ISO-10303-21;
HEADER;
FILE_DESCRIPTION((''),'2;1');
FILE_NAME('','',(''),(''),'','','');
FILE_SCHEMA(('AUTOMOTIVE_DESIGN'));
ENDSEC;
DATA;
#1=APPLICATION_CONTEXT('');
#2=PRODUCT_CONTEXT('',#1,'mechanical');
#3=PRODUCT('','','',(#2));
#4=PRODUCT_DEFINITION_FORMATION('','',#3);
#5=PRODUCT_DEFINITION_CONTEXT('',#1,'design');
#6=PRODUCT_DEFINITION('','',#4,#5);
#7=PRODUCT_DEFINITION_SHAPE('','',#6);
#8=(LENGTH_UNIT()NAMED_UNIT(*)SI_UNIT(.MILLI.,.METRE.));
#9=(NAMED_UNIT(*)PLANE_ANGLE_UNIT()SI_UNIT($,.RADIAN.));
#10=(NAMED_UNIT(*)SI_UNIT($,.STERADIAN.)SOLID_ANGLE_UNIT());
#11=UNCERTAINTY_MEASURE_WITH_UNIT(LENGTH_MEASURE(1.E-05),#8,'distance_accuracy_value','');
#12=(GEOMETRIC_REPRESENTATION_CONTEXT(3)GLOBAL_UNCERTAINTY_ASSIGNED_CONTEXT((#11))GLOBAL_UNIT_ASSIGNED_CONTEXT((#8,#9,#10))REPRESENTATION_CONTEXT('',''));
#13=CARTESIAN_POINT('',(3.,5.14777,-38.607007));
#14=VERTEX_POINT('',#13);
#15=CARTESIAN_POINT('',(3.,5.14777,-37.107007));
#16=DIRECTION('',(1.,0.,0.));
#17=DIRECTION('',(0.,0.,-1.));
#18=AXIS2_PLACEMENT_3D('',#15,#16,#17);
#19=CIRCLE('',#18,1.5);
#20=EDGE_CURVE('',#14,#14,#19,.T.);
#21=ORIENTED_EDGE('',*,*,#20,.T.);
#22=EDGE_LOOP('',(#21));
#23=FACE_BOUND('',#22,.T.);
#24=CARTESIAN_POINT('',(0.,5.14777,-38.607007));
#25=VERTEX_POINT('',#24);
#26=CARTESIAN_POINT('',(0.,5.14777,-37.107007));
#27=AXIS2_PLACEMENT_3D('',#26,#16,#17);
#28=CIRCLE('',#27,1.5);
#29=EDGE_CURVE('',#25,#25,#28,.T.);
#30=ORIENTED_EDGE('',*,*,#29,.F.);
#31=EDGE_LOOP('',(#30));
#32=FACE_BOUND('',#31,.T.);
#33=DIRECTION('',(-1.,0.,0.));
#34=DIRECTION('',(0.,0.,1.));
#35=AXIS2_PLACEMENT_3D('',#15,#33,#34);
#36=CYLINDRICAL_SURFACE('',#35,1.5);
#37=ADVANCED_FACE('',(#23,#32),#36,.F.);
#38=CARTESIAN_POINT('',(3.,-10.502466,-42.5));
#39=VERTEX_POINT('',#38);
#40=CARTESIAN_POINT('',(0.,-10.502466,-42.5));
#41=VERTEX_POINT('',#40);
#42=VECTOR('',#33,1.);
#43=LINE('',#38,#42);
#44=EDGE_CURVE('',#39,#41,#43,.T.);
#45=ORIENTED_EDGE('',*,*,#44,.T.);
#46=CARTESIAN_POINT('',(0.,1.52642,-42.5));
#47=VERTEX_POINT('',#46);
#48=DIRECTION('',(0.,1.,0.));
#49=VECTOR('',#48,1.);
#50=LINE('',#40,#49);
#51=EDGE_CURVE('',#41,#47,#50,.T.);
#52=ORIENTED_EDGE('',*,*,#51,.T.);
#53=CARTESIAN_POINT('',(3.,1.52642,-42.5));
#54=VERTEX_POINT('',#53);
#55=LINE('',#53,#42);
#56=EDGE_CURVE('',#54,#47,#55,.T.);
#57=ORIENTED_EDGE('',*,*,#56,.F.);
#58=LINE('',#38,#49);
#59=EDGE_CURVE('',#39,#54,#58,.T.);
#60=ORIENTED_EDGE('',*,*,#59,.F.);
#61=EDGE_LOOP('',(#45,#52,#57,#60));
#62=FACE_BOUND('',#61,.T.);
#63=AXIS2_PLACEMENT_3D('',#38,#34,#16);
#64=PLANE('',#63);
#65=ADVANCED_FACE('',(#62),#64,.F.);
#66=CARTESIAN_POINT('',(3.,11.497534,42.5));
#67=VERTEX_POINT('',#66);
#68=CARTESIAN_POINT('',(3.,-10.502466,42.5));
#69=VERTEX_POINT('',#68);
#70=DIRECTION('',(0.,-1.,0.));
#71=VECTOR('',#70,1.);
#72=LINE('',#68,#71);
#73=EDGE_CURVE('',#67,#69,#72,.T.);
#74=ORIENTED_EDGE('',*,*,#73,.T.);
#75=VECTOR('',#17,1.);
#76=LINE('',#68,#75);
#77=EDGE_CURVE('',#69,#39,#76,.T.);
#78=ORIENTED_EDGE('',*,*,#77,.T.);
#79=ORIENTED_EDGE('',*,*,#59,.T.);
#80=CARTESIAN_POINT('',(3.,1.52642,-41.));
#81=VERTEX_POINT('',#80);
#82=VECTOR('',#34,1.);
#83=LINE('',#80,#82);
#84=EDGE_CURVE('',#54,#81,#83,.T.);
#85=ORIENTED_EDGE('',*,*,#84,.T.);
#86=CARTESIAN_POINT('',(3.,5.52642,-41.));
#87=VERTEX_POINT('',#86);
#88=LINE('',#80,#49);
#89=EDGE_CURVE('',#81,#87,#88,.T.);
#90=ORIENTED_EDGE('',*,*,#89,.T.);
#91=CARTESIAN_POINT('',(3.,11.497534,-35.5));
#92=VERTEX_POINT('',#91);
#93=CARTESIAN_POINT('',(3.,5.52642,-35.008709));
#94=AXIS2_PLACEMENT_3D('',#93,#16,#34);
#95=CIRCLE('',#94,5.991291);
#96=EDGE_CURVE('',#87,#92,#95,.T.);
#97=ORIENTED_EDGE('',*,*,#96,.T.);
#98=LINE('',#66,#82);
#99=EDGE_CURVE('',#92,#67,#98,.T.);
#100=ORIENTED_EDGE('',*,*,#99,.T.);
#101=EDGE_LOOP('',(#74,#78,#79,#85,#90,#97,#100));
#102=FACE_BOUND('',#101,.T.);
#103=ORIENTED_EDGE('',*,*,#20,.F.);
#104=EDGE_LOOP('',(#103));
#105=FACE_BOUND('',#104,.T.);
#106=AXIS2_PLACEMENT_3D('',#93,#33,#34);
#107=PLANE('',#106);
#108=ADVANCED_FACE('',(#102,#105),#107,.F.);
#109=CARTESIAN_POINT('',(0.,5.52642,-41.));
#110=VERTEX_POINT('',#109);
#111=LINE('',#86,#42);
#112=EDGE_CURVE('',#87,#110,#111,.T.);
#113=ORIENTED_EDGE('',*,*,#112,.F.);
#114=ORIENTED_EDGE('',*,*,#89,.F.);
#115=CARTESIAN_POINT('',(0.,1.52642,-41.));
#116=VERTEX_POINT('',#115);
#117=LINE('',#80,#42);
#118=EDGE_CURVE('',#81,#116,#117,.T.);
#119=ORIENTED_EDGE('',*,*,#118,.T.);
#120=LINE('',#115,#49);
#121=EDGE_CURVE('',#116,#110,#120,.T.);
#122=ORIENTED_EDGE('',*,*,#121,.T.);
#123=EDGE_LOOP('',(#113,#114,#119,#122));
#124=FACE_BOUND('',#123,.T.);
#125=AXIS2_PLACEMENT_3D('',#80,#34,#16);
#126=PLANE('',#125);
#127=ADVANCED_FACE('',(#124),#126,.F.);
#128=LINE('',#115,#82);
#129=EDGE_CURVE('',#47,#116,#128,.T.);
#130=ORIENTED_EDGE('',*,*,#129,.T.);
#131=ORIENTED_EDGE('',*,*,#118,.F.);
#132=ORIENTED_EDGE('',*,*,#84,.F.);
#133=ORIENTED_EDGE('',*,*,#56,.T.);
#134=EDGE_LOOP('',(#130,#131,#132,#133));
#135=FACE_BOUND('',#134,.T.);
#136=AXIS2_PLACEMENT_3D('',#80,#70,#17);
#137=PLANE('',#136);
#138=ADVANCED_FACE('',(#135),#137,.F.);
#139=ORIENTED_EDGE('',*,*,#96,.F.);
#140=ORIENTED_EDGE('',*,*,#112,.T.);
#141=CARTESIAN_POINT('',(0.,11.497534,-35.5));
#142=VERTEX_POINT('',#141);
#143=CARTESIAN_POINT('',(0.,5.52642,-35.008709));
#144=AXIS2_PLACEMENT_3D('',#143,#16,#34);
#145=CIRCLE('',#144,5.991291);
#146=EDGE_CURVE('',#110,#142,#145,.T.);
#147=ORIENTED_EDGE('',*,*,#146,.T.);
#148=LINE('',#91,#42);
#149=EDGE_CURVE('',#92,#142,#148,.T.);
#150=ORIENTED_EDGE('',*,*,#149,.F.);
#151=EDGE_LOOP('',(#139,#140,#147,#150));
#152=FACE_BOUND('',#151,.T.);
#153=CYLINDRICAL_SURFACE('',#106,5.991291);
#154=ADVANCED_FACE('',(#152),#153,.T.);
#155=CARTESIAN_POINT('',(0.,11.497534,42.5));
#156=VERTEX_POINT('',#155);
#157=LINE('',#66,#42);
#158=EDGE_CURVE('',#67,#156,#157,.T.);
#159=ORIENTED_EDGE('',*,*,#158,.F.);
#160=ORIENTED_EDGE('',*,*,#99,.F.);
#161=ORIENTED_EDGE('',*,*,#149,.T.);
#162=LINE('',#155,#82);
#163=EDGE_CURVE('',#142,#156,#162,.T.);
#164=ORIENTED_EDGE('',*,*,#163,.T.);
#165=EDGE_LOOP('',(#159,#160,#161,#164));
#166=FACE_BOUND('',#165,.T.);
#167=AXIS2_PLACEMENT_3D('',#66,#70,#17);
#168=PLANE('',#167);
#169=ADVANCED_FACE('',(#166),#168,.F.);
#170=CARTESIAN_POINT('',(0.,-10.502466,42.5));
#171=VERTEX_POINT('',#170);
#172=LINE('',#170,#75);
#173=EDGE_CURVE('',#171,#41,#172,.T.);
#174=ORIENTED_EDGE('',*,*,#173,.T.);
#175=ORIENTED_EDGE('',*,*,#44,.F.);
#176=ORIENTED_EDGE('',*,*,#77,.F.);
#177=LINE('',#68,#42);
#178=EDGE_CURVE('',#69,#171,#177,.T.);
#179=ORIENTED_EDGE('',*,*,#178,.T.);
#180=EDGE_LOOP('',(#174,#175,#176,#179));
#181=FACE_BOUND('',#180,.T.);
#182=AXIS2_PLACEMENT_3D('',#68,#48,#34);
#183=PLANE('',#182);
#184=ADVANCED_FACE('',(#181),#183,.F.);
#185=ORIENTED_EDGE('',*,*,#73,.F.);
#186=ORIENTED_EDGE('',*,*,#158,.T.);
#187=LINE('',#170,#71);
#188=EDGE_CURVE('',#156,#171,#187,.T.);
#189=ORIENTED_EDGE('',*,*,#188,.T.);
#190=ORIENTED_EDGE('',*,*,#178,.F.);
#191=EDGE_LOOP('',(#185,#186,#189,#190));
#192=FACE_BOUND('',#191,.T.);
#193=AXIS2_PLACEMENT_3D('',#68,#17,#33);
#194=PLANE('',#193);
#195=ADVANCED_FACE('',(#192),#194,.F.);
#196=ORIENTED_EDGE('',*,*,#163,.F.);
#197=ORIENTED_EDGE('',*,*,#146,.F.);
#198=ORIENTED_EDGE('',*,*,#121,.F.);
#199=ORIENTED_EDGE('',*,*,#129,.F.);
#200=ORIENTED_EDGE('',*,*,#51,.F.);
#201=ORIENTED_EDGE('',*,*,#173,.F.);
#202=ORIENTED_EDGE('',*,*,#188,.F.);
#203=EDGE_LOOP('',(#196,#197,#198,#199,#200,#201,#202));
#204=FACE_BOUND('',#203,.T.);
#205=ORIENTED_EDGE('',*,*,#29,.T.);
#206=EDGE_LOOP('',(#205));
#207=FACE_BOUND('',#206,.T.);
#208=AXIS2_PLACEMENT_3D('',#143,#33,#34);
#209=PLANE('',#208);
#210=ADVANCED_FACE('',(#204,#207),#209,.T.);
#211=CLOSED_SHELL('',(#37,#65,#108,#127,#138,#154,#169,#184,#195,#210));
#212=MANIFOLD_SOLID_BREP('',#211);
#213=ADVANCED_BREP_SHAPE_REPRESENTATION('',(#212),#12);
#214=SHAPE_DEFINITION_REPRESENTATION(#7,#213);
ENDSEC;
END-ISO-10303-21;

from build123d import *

# Parameters (mm, degrees)
SKETCH1_R           = 1.5
BOSS_EXTRUDE1_DEPTH = 3


with BuildPart() as part:
    # Sketch1 → Boss-Extrude1 (new body)
    with BuildSketch(Plane(origin=(0, 0, 0), x_dir=(0, 0, -1), z_dir=(1, 0, 0))):
        with BuildLine():
            Line((41, 1.526420496), (42.5, 1.526420496))
            Line((42.5, 1.526420496), (42.5, -10.502465522))
            Line((42.5, -10.502465522), (-42.5, -10.502465522))
            Line((-42.5, -10.502465522), (-42.5, 11.497534478))
            Line((-42.5, 11.497534478), (35.5, 11.497534478))
            ThreePointArc((35.5, 11.497534478), (39.415467178, 9.585490654), (41, 5.526420496))
            Line((41, 5.526420496), (41, 1.526420496))
        make_face()
        with Locations((37.107006816, 5.147769804)):
            Circle(SKETCH1_R, mode=Mode.SUBTRACT)
    extrude(amount=BOSS_EXTRUDE1_DEPTH)


solid = part.part
